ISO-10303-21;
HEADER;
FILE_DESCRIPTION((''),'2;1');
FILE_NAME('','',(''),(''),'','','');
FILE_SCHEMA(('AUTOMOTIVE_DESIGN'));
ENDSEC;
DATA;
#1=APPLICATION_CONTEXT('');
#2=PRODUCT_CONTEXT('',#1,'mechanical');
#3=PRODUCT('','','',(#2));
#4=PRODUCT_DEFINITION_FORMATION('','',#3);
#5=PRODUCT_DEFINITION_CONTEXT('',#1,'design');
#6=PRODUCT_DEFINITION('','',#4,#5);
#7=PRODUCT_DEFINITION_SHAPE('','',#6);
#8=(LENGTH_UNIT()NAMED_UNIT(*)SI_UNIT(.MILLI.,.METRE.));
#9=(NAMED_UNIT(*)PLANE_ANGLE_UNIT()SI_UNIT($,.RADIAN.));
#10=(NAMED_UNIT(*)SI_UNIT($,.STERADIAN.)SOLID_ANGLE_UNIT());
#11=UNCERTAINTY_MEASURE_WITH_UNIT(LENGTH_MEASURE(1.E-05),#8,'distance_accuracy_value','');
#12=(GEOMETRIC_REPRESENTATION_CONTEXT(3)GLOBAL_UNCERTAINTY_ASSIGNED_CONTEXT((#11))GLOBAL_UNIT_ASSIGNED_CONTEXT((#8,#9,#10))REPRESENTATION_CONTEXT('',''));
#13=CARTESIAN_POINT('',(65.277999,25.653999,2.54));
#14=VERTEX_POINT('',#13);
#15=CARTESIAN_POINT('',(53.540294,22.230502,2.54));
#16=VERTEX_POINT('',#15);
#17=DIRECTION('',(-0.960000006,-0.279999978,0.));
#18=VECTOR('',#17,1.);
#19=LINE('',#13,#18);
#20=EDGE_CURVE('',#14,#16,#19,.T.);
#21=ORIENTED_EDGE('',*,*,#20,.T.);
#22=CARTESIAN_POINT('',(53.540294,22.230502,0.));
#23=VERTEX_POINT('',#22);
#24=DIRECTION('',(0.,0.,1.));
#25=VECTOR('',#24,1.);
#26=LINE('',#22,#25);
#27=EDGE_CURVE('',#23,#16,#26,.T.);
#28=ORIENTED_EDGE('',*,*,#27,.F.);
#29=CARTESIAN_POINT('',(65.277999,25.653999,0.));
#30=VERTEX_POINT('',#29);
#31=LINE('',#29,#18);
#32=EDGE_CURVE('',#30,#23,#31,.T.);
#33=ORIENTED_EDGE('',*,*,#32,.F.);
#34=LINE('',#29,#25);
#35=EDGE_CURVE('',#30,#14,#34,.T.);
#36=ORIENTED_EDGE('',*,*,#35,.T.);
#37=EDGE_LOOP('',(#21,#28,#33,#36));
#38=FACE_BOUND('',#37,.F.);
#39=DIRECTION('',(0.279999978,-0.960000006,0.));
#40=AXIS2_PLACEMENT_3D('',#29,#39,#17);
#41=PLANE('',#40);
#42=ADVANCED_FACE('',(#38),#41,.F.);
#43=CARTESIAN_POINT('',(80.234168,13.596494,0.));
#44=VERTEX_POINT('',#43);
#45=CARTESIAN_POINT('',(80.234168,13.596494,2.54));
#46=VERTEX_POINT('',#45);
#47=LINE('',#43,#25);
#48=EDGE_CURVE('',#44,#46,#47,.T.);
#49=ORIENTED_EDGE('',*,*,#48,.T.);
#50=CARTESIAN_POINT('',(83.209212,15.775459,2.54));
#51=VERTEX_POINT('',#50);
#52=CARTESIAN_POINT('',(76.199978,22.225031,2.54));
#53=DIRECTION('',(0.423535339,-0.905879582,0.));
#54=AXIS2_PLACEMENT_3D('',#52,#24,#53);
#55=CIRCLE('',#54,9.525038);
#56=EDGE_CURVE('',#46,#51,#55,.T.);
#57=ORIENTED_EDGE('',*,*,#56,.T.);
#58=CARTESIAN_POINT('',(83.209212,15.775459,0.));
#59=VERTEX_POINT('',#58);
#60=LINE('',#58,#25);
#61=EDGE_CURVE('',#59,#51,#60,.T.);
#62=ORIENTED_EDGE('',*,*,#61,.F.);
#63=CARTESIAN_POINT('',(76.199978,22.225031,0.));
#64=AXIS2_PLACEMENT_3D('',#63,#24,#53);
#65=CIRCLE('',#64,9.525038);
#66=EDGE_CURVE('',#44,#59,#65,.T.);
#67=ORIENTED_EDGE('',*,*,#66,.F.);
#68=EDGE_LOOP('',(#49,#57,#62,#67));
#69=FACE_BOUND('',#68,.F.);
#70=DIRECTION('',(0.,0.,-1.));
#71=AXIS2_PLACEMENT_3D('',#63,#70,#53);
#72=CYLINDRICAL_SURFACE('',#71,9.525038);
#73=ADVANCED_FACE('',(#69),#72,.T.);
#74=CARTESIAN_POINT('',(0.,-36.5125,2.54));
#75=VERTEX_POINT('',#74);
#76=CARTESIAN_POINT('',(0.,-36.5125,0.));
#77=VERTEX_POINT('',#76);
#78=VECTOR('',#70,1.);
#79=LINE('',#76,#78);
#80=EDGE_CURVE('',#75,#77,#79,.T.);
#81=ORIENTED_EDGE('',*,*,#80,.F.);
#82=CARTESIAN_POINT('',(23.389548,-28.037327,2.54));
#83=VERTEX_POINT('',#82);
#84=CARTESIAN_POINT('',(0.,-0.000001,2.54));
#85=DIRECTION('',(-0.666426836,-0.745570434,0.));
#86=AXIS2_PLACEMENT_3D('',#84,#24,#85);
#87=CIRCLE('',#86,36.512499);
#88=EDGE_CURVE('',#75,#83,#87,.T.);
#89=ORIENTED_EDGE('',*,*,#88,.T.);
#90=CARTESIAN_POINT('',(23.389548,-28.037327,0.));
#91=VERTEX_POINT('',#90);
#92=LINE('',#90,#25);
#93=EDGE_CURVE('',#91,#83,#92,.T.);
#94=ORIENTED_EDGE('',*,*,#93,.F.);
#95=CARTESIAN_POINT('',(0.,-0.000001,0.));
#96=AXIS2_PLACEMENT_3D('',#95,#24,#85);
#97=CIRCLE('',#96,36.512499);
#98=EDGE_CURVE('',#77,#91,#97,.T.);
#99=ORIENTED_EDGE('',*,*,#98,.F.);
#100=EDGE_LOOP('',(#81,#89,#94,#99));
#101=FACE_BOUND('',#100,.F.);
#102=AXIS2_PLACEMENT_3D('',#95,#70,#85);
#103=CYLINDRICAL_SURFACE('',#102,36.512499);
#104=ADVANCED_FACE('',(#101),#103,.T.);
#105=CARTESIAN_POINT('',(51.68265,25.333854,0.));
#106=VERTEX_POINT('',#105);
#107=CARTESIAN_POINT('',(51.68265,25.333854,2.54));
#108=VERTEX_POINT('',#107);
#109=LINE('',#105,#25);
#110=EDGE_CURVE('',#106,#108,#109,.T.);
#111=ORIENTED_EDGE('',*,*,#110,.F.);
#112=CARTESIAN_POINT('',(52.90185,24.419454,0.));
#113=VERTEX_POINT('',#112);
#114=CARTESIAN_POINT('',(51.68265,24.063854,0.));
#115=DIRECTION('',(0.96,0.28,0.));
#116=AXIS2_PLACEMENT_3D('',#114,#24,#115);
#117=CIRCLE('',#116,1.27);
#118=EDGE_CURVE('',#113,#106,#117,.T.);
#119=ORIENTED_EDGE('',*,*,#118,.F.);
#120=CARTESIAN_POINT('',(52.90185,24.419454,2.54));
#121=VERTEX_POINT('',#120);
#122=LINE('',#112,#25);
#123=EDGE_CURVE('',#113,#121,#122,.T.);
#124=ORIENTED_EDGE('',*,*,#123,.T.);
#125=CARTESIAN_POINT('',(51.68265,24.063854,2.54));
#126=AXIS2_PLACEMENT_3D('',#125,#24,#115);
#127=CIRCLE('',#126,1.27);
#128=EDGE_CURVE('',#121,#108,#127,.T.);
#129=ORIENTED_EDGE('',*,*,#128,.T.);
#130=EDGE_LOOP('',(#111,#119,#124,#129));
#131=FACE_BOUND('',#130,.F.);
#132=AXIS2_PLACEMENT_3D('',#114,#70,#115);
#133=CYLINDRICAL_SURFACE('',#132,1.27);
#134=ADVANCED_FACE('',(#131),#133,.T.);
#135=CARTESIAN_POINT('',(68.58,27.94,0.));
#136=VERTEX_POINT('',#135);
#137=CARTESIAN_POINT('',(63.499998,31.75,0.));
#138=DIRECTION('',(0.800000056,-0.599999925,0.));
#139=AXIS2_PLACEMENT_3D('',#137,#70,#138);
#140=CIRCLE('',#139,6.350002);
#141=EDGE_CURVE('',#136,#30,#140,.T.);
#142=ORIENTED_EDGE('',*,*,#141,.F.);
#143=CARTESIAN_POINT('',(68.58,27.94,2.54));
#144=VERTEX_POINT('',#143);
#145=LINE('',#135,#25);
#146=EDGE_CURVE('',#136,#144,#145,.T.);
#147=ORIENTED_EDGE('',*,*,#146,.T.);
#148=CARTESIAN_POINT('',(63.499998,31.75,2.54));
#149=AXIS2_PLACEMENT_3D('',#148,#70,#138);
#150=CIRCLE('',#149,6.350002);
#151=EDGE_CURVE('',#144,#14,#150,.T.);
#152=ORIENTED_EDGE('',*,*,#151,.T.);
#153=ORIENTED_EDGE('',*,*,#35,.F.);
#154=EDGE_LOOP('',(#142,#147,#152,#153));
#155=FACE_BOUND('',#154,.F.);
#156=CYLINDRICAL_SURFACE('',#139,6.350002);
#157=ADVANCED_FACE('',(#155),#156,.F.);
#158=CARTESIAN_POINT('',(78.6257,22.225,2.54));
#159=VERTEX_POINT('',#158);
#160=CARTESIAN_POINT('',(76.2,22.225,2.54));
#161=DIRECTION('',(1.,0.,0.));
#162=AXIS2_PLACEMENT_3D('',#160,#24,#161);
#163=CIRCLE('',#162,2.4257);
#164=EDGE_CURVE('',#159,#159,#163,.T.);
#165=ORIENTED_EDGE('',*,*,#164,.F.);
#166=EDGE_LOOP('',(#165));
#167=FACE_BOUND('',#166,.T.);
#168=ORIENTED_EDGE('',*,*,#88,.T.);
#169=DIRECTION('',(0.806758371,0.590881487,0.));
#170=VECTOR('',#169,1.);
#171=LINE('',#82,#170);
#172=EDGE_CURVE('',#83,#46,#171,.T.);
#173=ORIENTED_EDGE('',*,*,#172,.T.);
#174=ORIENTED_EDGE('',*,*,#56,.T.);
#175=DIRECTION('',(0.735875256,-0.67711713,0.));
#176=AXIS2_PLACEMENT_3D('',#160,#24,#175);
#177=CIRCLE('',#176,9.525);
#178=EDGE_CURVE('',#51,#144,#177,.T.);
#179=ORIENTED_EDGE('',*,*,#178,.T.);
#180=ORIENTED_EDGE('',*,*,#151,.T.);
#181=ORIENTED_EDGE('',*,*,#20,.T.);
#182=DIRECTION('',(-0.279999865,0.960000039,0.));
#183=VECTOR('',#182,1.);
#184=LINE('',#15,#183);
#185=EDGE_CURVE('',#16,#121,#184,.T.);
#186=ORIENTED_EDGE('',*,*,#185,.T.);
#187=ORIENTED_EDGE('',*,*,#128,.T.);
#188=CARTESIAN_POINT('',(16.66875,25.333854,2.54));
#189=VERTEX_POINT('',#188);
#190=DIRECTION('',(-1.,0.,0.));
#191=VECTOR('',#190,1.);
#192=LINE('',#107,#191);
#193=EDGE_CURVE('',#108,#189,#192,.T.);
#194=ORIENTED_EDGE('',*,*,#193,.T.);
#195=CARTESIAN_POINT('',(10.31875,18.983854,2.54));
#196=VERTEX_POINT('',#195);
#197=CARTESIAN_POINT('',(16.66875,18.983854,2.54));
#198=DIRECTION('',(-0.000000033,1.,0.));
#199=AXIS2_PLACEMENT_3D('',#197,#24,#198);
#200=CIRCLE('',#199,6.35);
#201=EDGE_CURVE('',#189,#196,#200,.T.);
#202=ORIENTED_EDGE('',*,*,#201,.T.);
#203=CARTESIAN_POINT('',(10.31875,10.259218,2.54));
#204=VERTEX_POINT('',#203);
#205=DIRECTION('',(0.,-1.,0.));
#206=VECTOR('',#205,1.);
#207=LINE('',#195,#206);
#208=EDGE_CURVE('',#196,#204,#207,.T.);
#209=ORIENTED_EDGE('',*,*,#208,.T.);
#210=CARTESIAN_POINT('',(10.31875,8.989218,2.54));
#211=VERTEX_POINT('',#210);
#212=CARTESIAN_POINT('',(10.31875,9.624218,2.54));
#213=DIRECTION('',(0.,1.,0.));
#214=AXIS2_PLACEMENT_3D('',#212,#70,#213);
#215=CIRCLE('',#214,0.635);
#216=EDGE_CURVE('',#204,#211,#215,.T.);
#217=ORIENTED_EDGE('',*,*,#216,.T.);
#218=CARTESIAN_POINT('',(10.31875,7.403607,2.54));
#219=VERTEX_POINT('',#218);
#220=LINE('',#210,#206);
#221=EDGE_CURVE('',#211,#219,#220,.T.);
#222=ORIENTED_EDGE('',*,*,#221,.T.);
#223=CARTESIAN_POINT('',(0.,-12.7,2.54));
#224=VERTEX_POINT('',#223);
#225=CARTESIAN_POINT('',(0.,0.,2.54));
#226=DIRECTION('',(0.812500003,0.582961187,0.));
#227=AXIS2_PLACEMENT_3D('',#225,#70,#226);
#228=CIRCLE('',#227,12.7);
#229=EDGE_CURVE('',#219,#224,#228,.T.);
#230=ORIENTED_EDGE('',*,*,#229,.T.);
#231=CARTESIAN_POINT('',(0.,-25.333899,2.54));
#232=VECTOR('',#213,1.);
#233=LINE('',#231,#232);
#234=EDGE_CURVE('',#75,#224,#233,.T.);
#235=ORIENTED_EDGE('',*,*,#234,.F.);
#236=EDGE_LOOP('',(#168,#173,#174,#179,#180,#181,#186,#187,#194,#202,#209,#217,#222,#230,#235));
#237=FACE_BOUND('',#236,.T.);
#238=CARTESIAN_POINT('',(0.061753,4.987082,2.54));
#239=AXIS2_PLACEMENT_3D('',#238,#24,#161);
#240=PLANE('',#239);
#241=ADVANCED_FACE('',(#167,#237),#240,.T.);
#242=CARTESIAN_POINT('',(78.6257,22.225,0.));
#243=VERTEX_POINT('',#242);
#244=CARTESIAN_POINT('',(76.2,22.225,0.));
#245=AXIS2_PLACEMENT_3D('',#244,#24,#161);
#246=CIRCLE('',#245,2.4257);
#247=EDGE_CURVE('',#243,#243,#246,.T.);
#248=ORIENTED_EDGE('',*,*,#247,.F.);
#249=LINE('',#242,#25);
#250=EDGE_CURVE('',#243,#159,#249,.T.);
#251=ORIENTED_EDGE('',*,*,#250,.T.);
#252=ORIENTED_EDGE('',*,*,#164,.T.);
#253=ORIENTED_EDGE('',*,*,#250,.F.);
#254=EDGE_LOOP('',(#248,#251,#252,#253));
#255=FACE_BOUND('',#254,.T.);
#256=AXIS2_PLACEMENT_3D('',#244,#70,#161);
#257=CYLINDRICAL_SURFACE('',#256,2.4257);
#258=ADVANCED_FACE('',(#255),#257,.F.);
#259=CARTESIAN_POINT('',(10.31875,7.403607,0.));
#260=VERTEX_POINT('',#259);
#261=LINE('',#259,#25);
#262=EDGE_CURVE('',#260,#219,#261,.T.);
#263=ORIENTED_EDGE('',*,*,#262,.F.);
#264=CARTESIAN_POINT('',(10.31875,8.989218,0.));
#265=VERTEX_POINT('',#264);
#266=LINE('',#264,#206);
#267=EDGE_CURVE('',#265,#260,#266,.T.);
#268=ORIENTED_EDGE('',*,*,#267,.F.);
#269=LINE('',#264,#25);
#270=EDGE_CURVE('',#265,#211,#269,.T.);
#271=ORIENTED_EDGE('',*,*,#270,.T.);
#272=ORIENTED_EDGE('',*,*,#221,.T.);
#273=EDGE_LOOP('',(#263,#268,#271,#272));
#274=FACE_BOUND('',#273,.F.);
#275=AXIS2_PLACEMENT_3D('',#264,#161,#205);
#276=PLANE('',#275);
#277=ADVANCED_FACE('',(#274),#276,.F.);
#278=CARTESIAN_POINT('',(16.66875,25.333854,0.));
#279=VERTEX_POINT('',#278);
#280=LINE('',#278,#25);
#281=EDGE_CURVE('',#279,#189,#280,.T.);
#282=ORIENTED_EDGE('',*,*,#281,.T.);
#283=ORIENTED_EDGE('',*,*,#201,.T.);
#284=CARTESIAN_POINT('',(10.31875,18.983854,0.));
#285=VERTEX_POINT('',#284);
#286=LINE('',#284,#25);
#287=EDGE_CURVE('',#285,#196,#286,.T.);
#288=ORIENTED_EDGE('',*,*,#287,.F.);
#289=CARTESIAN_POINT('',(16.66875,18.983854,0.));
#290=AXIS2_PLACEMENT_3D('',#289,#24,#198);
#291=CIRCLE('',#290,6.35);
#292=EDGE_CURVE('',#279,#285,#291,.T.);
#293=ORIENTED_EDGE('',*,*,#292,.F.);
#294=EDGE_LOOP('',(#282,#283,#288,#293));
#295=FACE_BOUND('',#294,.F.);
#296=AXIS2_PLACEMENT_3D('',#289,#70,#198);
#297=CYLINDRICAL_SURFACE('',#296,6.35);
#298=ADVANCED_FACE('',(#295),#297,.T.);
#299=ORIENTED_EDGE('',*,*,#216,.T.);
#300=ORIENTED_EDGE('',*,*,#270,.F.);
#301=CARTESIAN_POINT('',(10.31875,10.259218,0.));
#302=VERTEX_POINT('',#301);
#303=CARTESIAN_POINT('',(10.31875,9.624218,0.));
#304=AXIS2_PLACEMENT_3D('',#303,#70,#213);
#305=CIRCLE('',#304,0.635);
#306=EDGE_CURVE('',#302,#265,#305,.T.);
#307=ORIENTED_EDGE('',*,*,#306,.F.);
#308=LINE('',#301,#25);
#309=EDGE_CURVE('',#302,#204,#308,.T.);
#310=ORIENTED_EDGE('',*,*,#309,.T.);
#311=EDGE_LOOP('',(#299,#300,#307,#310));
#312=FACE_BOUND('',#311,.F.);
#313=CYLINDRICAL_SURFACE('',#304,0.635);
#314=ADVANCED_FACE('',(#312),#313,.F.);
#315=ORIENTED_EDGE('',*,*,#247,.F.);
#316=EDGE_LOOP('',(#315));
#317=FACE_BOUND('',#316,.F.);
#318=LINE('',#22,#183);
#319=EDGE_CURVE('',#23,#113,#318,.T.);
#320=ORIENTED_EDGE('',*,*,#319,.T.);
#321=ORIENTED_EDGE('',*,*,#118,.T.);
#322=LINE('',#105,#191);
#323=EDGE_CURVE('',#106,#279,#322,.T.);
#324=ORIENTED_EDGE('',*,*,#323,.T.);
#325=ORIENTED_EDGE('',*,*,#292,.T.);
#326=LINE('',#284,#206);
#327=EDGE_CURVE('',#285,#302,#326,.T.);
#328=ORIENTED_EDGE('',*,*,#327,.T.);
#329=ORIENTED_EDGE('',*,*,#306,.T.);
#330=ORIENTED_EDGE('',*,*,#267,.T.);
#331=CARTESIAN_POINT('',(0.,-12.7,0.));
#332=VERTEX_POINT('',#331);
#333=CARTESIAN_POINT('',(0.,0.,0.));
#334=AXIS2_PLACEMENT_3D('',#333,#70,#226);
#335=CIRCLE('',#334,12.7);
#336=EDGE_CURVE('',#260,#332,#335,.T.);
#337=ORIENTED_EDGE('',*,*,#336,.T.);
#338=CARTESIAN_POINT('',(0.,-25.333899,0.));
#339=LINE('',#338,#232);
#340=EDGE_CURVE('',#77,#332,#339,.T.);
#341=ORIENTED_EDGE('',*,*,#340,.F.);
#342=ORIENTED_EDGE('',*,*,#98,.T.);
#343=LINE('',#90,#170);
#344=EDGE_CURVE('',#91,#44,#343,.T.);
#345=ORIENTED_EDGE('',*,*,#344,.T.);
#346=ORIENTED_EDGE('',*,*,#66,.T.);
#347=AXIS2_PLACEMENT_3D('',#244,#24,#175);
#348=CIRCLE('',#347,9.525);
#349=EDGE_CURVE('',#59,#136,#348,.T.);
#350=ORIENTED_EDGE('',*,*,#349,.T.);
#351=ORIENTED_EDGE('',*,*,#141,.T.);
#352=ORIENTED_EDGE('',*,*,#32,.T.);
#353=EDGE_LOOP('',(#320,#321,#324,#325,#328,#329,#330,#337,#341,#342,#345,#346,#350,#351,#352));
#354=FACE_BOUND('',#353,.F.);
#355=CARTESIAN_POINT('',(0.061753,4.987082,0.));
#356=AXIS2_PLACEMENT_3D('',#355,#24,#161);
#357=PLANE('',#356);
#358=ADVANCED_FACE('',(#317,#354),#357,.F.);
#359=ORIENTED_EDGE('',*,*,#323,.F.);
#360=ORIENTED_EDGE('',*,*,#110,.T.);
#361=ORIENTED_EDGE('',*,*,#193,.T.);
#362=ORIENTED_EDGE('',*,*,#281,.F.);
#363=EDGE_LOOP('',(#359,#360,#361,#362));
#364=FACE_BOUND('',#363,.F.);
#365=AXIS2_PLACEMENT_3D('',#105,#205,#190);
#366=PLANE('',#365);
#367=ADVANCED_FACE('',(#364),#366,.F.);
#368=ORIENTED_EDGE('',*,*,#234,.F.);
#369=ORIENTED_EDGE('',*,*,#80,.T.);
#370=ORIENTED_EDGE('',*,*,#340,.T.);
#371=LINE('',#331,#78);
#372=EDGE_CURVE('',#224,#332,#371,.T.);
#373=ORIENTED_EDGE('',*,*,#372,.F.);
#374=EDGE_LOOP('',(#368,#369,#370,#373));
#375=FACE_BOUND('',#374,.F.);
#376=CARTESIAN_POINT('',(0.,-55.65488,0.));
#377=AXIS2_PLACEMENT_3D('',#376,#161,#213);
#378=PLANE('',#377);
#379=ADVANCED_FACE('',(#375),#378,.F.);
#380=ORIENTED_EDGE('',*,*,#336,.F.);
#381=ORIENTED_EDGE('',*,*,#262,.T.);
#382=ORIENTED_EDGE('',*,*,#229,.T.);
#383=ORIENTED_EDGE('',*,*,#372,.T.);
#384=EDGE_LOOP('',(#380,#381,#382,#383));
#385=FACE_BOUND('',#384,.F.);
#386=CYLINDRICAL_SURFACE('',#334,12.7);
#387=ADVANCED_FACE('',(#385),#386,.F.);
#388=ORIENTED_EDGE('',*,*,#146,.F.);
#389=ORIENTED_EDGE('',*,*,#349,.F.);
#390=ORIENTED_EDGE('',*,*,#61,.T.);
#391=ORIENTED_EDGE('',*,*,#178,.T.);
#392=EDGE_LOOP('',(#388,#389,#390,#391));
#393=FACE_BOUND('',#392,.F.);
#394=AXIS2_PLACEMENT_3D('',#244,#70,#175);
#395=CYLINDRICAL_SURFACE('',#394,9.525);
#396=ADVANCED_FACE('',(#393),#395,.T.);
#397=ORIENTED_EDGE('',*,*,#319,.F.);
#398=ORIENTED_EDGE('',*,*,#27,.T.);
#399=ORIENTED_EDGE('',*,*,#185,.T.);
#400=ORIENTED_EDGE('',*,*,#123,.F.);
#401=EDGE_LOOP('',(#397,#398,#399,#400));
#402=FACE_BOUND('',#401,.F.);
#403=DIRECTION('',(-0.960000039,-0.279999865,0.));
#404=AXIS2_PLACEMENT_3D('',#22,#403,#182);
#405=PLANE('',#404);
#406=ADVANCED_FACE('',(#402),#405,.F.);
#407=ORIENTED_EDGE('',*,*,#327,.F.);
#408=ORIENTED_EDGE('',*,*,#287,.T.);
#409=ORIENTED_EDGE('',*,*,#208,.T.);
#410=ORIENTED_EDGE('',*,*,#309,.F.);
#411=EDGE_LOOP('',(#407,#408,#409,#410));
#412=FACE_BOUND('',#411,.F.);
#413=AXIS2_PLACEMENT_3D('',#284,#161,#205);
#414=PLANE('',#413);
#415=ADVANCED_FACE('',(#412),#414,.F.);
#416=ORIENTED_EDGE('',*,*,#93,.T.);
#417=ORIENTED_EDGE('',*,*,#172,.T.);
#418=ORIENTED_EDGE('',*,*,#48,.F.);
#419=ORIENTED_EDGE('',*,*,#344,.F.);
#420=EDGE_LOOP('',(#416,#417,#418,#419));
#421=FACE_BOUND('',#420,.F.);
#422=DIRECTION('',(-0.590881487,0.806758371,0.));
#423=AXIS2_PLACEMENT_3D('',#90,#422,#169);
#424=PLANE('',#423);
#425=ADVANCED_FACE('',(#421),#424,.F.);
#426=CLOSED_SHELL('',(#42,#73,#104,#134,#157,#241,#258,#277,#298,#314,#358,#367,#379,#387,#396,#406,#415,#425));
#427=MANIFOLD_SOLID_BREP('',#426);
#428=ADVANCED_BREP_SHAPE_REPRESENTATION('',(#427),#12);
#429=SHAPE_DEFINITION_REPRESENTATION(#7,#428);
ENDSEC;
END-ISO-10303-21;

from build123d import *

# Parameters (mm, degrees)
F0_R     = 2.4257
F1_DEPTH = 2.54
F2_W     = 97.029246
F2_H     = 111.505382
F3_DEPTH = 12.7


with BuildPart() as f1:
    # F0 (on Top) → F1 (new body)
    with BuildSketch(Plane.XY):
        with BuildLine():
            ThreePointArc((10.31875, 7.403607), (0, -12.7), (-10.31875, 7.403607))
            Line((-10.31875, 7.403607), (-10.31875, 8.995426))
            ThreePointArc((-10.31875, 8.995426), (-10.947542, 9.624218), (-10.31875, 10.25301))
            Line((-10.31875, 10.25301), (-10.31875, 18.983854))
            ThreePointArc((-10.31875, 18.983854), (-12.178622, 23.473982), (-16.66875, 25.333854))
            Line((-16.66875, 25.333854), (-51.678968, 25.333854))
            ThreePointArc((-51.678968, 25.333854), (-52.440968, 25.079854), (-52.898168, 24.419454))
            Line((-52.898168, 24.419454), (-53.536901, 22.229512))
            Line((-53.536901, 22.229512), (-65.277999, 25.653999))
            ThreePointArc((-65.277999, 25.653999), (-67.114483, 26.529079), (-68.58, 27.94))
            ThreePointArc((-68.58, 27.94), (-83.100222, 28.791015), (-81.529968, 14.330884))
            Line((-81.529968, 14.330884), (-24.332909, -27.222641))
            ThreePointArc((-24.332909, -27.222641), (-0.623226, -36.507181), (23.389548, -28.037327))
            Line((23.389548, -28.037327), (80.234168, 13.596494))
            Line((80.234168, 13.596494), (83.209212, 15.775459))
            ThreePointArc((83.209212, 15.775459), (82.289932, 29.548821), (68.58, 27.94))
            ThreePointArc((68.58, 27.94), (67.114483, 26.529079), (65.277999, 25.653999))
            Line((65.277999, 25.653999), (53.540294, 22.230502))
            Line((53.540294, 22.230502), (52.90185, 24.419454))
            ThreePointArc((52.90185, 24.419454), (52.44465, 25.079854), (51.68265, 25.333854))
            Line((51.68265, 25.333854), (16.66875, 25.333854))
            ThreePointArc((16.66875, 25.333854), (12.178622, 23.473982), (10.31875, 18.983854))
            Line((10.31875, 18.983854), (10.31875, 10.259218))
            ThreePointArc((10.31875, 10.259218), (10.95375, 9.624218), (10.31875, 8.989218))
            Line((10.31875, 8.989218), (10.31875, 7.403607))
        make_face()
        with Locations((-76.2, 22.225)):
            Circle(F0_R, mode=Mode.SUBTRACT)
        with Locations((76.2, 22.225)):
            Circle(F0_R, mode=Mode.SUBTRACT)
        with BuildLine():
            ThreePointArc((80.234168, 13.596494), (81.828146, 14.540627), (83.209212, 15.775459))
            Line((83.209212, 15.775459), (80.234168, 13.596494))
        make_face()
    extrude(amount=F1_DEPTH)

    # F2 (on Top) → F3 (cut, symmetric)
    with BuildSketch(Plane.XY):
        with Locations((-48.514623, 0.097811)):
            Rectangle(F2_W, F2_H)
    extrude(amount=F3_DEPTH, both=True, mode=Mode.SUBTRACT)


solid = f1.part
